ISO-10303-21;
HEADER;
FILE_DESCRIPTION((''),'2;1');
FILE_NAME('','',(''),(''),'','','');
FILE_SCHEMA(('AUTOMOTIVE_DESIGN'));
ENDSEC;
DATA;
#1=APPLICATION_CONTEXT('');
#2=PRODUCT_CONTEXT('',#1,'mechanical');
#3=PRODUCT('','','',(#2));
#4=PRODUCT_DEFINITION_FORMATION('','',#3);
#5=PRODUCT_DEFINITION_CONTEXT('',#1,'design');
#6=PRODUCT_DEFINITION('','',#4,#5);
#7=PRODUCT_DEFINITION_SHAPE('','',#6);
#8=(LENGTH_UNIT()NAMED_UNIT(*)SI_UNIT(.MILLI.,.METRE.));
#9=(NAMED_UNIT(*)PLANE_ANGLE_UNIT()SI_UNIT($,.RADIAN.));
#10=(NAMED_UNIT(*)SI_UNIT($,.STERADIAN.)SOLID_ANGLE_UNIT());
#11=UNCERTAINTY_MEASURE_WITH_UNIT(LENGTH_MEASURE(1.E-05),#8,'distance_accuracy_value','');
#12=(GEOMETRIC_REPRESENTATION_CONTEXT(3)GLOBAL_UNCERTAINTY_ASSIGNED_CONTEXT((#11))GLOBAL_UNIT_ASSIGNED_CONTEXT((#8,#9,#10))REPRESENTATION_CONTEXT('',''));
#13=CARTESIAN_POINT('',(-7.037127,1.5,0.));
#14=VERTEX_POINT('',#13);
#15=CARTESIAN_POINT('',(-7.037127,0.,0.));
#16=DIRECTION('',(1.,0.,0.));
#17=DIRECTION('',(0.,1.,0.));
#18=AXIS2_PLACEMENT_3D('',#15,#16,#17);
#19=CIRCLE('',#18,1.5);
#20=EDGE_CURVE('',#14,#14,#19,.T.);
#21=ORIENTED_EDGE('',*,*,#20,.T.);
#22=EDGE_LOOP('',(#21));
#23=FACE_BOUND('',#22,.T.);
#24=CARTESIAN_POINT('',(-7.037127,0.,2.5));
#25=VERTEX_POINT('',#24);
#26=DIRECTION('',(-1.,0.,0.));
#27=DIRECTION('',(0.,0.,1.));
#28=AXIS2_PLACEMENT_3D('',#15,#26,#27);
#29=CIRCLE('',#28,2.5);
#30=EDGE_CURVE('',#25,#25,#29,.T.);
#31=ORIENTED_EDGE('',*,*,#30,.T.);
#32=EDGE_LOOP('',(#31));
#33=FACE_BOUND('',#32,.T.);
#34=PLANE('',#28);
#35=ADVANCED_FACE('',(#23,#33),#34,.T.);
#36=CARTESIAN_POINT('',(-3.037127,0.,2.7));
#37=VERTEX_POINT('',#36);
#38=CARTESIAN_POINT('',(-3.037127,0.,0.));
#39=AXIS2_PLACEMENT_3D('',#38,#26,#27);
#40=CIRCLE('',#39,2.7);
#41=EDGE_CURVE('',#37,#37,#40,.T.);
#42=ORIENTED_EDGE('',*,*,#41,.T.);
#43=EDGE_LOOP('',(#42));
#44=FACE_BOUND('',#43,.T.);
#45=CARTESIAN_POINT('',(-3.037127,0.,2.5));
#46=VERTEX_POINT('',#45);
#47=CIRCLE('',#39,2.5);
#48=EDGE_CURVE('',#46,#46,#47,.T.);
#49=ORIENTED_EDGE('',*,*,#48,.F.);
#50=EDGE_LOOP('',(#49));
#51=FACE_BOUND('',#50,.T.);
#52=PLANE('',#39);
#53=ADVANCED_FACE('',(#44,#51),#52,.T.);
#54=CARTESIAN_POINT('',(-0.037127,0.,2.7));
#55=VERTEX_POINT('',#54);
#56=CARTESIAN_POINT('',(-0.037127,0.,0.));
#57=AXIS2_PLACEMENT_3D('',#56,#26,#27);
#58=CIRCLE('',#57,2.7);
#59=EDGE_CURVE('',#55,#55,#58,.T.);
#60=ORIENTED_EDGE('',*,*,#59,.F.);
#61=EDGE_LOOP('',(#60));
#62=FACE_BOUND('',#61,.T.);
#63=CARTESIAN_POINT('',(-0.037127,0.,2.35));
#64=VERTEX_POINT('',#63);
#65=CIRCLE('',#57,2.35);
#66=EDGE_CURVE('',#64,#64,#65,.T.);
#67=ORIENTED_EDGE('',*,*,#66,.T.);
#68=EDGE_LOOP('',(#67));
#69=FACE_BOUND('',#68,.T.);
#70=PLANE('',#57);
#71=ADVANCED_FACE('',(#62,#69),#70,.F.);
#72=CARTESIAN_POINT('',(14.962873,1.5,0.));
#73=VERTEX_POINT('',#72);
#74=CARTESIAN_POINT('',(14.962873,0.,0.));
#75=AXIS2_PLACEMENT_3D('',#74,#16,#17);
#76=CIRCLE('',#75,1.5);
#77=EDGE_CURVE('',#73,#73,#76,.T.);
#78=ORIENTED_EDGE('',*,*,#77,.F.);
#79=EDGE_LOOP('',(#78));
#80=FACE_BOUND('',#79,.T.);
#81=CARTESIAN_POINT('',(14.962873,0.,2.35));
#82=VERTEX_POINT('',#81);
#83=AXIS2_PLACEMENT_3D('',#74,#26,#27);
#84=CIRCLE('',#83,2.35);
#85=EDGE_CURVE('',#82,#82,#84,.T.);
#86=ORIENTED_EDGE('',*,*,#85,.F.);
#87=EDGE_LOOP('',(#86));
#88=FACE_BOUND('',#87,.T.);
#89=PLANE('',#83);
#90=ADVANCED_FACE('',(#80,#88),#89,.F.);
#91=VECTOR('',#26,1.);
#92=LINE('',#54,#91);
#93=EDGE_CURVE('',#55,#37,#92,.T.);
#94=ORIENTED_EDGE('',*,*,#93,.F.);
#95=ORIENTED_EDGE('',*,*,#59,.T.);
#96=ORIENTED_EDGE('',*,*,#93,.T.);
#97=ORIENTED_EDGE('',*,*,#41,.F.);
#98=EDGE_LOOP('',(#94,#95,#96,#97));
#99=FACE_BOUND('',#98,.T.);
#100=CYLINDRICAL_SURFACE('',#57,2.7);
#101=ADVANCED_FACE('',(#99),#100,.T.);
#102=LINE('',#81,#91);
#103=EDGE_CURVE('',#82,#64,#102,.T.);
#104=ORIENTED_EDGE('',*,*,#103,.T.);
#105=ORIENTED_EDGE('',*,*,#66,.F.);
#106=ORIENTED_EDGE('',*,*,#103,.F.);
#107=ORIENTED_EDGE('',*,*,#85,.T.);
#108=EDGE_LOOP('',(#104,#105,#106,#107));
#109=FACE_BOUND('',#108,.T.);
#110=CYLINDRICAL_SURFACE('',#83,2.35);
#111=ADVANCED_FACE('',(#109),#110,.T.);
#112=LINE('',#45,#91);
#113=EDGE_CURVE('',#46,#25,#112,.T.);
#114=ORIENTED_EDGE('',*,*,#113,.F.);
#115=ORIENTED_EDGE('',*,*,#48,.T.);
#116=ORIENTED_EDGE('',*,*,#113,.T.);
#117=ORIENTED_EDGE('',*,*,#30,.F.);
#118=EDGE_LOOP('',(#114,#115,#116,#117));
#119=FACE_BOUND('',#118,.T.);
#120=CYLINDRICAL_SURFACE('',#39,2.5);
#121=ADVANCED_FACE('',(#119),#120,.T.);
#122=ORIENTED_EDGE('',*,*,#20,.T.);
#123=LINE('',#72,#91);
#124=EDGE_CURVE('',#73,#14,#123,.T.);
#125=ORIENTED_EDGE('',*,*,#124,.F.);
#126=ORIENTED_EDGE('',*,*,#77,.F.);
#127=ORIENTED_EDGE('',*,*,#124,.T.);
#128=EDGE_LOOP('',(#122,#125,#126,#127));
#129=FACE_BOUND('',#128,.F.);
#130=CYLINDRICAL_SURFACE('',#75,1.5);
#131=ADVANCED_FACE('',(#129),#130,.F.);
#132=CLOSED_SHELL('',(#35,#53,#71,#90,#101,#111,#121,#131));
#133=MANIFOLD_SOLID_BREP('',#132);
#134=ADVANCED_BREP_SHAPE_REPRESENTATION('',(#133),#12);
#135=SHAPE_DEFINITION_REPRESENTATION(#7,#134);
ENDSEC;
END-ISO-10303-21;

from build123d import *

# Parameters (mm, degrees)
F2_R     = 1.5
F3_DEPTH = 25


with BuildPart() as f1:
    # F0 (on Front) → F1 (revolve)
    with BuildSketch(Plane.XZ):
        Polygon((-0.037127, 2.7), (-3.037127, 2.7), (-3.037127, 2.5), (-7.037127, 2.5), (-7.037127, 0), (14.962873, 0), (14.962873, 2.35), (-0.037127, 2.35), align=None)
    revolve(axis=Axis((3.962873, 0, 0), (-1, 0, 0)))

    # F2 (on face) → F3 (cut)
    with BuildSketch(Plane.YZ.offset(14.962873)):
        Circle(F2_R)
    extrude(amount=-F3_DEPTH, mode=Mode.SUBTRACT)


solid = f1.part
